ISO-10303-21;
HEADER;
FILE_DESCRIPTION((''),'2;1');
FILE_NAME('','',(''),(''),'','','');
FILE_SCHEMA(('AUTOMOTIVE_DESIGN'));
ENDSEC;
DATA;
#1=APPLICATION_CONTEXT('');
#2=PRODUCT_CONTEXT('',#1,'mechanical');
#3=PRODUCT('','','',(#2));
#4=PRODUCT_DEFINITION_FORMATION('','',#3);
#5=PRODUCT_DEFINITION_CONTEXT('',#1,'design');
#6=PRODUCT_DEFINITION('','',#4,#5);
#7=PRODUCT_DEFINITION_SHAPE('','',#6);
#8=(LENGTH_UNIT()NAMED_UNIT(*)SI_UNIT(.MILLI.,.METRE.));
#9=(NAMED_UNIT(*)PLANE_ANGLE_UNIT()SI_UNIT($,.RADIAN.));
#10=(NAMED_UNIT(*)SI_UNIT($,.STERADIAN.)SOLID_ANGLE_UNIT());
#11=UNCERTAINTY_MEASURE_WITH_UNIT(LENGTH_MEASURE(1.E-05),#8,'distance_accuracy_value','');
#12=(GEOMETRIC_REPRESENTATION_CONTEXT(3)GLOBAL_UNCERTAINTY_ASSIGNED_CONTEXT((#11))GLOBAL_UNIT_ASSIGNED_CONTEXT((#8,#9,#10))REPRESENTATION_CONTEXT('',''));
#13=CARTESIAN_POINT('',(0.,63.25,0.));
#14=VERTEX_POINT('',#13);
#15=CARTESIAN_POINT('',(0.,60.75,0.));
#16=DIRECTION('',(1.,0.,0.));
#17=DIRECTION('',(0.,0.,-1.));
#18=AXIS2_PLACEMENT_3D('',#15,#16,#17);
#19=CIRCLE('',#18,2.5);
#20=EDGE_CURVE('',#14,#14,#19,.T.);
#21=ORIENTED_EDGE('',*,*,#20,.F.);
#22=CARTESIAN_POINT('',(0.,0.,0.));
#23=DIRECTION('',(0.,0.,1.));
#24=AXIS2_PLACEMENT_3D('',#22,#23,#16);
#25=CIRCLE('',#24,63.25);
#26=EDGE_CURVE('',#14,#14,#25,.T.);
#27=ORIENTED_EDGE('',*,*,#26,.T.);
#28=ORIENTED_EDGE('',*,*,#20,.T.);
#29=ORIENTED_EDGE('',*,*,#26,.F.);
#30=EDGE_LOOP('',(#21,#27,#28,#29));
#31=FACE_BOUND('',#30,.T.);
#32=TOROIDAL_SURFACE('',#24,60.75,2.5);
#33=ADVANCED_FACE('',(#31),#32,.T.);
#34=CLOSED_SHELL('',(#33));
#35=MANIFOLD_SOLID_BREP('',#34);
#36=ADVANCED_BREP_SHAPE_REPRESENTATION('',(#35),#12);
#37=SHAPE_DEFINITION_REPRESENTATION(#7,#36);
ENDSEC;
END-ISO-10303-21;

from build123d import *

# Parameters (mm, degrees)
SKETCH2_R = 2.5


with BuildPart() as part:
    # Sweep1: sweep along a path in Sketch1
    with BuildLine(Plane.XY) as sweep1_path:
        CenterArc((0, 0), 60.75, 0, 360)
    # Sketch2 → Sweep1 (sweep)
    with BuildSketch(Plane(origin=(0, 0, 0), x_dir=(0, 0, -1), z_dir=(1, 0, 0))):
        with Locations((0, 60.75)):
            Circle(SKETCH2_R)
    sweep(path=sweep1_path.line)


solid = part.part
